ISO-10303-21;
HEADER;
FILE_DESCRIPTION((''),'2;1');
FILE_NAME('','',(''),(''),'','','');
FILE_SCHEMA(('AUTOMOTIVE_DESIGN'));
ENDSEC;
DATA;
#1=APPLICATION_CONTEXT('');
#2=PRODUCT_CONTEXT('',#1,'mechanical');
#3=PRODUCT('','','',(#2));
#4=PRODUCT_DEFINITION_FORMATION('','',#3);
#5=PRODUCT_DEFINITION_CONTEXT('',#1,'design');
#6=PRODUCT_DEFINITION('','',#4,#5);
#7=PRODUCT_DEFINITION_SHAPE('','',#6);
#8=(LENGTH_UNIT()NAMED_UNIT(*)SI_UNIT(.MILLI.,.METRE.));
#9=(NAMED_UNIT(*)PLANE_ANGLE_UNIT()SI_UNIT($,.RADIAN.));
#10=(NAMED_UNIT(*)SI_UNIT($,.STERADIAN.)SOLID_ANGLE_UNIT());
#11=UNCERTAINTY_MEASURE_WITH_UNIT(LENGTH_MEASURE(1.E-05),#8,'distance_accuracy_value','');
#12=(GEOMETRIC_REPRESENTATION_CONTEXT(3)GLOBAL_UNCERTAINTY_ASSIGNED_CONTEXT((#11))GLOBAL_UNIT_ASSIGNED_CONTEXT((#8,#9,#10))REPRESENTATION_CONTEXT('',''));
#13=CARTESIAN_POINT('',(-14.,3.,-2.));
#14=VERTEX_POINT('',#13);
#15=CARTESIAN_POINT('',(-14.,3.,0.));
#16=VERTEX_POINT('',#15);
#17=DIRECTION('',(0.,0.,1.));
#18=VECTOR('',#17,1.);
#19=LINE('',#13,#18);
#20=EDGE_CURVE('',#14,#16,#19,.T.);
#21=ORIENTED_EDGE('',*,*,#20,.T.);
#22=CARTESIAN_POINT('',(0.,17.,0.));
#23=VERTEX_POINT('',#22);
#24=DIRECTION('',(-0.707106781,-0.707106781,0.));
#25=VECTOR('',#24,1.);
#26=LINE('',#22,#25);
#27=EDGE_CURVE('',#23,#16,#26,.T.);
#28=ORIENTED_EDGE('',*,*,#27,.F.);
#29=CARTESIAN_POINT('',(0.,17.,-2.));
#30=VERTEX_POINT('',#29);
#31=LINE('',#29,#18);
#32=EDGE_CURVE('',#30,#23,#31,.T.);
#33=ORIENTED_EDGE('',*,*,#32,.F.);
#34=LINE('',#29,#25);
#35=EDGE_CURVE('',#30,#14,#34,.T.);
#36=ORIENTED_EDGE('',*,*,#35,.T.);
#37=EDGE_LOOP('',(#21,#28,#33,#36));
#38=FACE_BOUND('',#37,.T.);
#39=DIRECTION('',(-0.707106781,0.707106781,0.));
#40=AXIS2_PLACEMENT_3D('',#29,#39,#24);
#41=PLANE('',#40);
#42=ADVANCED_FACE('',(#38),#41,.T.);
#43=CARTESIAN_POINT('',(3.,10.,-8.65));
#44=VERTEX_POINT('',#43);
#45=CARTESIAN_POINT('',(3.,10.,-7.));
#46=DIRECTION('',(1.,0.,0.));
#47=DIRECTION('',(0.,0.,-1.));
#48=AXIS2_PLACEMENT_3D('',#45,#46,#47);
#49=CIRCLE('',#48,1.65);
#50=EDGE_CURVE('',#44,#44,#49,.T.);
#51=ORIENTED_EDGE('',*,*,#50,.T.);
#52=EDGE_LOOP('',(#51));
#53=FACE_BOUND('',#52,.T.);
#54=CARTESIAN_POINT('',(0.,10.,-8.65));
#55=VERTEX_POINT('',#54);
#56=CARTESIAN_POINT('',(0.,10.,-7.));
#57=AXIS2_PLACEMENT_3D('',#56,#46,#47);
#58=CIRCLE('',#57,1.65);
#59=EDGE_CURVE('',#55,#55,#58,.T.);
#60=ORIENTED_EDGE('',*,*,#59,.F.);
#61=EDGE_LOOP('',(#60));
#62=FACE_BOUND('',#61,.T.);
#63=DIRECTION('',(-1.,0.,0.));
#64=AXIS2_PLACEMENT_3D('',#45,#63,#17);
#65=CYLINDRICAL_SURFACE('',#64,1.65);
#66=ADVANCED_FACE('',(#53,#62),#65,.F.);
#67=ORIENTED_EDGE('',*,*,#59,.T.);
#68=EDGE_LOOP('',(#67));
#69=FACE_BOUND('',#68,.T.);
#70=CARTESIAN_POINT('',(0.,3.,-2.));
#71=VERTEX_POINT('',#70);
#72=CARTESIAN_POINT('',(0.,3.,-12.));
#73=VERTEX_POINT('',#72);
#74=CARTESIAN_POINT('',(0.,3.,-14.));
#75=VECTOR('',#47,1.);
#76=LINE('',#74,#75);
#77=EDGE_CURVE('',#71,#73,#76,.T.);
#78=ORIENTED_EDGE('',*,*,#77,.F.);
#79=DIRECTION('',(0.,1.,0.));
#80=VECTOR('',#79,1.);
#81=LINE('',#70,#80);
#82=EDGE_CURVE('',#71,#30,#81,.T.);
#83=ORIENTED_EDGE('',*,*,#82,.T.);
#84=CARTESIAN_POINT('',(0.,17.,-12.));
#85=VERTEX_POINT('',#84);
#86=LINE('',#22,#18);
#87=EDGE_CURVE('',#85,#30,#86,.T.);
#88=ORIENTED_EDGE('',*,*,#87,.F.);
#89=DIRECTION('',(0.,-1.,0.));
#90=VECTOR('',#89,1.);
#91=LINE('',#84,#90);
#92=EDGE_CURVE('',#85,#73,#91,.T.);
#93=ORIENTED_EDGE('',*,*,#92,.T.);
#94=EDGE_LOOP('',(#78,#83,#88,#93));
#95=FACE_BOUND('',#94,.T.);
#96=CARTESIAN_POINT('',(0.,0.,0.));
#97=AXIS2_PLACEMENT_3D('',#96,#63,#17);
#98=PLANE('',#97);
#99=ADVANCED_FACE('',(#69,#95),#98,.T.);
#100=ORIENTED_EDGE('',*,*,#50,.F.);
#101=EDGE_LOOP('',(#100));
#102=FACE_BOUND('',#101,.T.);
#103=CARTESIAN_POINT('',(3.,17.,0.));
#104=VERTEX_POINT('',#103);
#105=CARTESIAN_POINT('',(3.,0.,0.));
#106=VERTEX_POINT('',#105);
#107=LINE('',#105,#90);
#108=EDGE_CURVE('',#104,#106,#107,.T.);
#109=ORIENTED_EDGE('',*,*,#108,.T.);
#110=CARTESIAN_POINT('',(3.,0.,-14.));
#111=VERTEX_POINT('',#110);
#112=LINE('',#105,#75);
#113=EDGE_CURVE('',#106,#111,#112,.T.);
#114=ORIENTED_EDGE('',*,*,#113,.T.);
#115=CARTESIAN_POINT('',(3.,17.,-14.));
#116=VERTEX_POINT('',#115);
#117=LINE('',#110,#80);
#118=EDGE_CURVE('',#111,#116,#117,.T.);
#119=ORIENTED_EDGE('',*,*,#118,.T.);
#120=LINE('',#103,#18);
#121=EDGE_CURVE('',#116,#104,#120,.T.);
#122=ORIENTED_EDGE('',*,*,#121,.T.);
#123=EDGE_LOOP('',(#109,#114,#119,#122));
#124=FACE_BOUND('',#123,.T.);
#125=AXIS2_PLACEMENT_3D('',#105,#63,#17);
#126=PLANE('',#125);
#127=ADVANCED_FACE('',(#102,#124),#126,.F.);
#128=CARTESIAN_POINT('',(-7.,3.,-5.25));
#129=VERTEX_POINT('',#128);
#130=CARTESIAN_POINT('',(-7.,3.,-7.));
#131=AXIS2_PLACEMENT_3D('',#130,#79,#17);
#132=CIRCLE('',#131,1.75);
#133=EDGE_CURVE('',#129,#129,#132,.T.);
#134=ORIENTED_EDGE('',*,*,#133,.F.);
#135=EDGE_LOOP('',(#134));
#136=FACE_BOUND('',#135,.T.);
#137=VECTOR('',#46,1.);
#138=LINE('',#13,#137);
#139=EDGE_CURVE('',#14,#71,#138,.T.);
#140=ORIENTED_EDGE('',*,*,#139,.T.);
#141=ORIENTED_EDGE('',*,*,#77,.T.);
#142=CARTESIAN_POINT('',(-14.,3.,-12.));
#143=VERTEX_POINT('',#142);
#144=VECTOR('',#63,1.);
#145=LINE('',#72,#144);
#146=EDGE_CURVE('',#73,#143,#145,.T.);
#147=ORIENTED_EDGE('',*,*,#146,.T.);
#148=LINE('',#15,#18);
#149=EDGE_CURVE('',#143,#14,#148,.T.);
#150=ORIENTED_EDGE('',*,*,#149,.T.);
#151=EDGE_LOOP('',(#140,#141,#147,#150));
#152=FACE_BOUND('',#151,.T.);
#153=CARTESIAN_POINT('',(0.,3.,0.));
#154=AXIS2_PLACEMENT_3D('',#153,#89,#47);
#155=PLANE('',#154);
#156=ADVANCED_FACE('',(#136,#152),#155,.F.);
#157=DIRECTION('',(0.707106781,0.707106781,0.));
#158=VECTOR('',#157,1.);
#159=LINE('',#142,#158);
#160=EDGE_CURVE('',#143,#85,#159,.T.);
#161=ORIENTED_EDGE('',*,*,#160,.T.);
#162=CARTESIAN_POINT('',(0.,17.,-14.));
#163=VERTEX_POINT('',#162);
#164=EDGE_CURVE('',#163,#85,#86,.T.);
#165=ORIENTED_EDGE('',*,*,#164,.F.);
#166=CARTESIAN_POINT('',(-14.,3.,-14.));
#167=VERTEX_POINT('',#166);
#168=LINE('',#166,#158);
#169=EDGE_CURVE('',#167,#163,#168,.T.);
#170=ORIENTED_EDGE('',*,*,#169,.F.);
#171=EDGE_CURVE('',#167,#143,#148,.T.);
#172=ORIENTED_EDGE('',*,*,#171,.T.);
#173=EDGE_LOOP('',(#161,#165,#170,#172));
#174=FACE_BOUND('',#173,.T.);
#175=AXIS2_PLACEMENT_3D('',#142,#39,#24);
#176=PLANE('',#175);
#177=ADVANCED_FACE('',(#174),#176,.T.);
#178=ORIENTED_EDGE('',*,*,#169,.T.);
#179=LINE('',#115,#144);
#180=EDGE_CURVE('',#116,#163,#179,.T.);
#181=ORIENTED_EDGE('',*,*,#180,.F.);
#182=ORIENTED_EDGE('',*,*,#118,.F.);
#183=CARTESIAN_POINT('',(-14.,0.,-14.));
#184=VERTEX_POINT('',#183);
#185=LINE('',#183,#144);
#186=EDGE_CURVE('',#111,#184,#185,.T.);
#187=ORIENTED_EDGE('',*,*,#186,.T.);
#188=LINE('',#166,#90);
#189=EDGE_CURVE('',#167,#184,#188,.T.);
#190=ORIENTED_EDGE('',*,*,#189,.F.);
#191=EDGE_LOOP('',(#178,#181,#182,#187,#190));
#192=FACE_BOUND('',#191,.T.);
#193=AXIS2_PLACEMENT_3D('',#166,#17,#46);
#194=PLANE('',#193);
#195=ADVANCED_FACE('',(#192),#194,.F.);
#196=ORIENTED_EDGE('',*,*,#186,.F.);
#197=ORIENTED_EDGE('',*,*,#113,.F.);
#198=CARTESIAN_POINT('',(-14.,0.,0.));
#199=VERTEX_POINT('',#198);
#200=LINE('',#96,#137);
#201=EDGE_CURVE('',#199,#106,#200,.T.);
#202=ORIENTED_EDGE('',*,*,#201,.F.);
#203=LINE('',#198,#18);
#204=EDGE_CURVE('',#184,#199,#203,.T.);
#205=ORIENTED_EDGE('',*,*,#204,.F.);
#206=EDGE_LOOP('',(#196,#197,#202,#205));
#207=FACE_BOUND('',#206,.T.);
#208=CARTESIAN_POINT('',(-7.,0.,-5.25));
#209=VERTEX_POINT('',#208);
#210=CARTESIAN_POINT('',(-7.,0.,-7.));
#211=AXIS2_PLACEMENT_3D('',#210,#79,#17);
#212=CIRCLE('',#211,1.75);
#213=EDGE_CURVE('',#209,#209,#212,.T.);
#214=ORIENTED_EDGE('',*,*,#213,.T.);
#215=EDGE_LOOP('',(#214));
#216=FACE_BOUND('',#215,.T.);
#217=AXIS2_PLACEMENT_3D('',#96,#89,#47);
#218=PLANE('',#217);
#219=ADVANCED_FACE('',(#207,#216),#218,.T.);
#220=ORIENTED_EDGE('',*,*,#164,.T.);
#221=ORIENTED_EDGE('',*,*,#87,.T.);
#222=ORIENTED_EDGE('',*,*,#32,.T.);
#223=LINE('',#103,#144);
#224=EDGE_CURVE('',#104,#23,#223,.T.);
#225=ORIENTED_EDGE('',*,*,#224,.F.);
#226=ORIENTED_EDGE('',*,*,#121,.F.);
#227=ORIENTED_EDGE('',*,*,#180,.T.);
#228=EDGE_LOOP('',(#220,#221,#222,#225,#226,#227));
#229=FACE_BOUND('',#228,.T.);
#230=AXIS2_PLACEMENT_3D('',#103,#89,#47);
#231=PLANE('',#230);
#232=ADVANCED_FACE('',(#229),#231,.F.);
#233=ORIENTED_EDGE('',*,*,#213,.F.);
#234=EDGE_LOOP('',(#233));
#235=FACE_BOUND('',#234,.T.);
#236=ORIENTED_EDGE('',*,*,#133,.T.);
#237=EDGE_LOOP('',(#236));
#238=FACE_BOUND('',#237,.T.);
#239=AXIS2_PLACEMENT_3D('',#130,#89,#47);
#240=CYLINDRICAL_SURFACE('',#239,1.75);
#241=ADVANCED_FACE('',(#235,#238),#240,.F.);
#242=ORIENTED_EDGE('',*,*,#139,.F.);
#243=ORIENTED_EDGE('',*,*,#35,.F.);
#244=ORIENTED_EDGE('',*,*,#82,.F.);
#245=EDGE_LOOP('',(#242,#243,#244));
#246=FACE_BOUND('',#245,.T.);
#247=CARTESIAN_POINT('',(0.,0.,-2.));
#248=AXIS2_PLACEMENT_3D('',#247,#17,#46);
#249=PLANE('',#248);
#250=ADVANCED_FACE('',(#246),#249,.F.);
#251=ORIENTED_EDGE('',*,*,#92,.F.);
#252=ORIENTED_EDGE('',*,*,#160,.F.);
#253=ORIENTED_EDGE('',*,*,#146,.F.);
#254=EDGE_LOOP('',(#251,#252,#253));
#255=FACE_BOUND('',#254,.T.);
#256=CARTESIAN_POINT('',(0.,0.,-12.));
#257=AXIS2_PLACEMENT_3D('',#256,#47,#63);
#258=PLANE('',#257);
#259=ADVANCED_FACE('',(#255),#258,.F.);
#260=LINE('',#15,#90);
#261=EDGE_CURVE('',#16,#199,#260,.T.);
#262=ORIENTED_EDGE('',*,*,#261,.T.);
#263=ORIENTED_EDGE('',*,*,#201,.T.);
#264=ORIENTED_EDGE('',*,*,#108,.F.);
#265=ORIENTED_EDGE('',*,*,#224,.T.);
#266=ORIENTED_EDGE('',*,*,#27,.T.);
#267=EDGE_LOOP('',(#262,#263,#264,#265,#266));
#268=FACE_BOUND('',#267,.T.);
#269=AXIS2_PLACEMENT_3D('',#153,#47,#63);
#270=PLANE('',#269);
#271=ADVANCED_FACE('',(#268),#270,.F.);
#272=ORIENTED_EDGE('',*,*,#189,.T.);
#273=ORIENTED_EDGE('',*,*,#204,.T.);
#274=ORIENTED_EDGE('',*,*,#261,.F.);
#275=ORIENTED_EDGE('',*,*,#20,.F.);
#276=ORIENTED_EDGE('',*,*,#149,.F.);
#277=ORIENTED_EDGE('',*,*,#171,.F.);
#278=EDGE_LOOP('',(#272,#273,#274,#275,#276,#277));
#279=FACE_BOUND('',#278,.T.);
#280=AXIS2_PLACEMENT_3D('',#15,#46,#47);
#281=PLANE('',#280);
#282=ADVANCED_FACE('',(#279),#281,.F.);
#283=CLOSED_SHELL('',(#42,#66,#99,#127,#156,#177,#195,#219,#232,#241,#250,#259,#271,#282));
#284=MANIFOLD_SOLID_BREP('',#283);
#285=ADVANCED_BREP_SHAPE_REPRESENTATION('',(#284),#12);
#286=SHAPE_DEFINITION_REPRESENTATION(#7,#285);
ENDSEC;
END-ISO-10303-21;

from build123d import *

# Parameters (mm, degrees)
SKETCH1_W           = 14
SKETCH1_H           = 14
SKETCH1_R           = 1.75
BOSS_EXTRUDE1_DEPTH = 3
SKETCH2_W           = 14
SKETCH2_H           = 17
SKETCH2_R           = 1.65
BOSS_EXTRUDE2_DEPTH = 3
BOSS_EXTRUDE3_DEPTH = 2
BOSS_EXTRUDE4_DEPTH = 2


with BuildPart() as part:
    # Sketch1 → Boss-Extrude1 (new body)
    with BuildSketch(Plane(origin=(0, 0, 0), x_dir=(1, 0, 0), z_dir=(0, 1, 0))):
        with Locations((-7, 7)):
            Rectangle(SKETCH1_W, SKETCH1_H)
        with Locations((-7, 7)):
            Circle(SKETCH1_R, mode=Mode.SUBTRACT)
    extrude(amount=BOSS_EXTRUDE1_DEPTH)

    # Sketch2 → Boss-Extrude2 (add)
    with BuildSketch(Plane(origin=(0, 0, 0), x_dir=(0, 0, -1), z_dir=(1, 0, 0))):
        with Locations((7, 8.5)):
            Rectangle(SKETCH2_W, SKETCH2_H)
        with Locations((7, 10)):
            Circle(SKETCH2_R, mode=Mode.SUBTRACT)
    extrude(amount=BOSS_EXTRUDE2_DEPTH)

    # Sketch3 → Boss-Extrude3 (add)
    with BuildSketch(Plane.XY):
        Polygon((0, 3), (0, 17), (-14, 3), align=None)
    extrude(amount=-BOSS_EXTRUDE3_DEPTH)

    # Sketch4 → Boss-Extrude4 (add)
    with BuildSketch(Plane(origin=(0, 0, -14), x_dir=(-1, 0, 0), z_dir=(0, 0, -1))):
        Polygon((0, 3), (14, 3), (0, 17), align=None)
    extrude(amount=-BOSS_EXTRUDE4_DEPTH)


solid = part.part
